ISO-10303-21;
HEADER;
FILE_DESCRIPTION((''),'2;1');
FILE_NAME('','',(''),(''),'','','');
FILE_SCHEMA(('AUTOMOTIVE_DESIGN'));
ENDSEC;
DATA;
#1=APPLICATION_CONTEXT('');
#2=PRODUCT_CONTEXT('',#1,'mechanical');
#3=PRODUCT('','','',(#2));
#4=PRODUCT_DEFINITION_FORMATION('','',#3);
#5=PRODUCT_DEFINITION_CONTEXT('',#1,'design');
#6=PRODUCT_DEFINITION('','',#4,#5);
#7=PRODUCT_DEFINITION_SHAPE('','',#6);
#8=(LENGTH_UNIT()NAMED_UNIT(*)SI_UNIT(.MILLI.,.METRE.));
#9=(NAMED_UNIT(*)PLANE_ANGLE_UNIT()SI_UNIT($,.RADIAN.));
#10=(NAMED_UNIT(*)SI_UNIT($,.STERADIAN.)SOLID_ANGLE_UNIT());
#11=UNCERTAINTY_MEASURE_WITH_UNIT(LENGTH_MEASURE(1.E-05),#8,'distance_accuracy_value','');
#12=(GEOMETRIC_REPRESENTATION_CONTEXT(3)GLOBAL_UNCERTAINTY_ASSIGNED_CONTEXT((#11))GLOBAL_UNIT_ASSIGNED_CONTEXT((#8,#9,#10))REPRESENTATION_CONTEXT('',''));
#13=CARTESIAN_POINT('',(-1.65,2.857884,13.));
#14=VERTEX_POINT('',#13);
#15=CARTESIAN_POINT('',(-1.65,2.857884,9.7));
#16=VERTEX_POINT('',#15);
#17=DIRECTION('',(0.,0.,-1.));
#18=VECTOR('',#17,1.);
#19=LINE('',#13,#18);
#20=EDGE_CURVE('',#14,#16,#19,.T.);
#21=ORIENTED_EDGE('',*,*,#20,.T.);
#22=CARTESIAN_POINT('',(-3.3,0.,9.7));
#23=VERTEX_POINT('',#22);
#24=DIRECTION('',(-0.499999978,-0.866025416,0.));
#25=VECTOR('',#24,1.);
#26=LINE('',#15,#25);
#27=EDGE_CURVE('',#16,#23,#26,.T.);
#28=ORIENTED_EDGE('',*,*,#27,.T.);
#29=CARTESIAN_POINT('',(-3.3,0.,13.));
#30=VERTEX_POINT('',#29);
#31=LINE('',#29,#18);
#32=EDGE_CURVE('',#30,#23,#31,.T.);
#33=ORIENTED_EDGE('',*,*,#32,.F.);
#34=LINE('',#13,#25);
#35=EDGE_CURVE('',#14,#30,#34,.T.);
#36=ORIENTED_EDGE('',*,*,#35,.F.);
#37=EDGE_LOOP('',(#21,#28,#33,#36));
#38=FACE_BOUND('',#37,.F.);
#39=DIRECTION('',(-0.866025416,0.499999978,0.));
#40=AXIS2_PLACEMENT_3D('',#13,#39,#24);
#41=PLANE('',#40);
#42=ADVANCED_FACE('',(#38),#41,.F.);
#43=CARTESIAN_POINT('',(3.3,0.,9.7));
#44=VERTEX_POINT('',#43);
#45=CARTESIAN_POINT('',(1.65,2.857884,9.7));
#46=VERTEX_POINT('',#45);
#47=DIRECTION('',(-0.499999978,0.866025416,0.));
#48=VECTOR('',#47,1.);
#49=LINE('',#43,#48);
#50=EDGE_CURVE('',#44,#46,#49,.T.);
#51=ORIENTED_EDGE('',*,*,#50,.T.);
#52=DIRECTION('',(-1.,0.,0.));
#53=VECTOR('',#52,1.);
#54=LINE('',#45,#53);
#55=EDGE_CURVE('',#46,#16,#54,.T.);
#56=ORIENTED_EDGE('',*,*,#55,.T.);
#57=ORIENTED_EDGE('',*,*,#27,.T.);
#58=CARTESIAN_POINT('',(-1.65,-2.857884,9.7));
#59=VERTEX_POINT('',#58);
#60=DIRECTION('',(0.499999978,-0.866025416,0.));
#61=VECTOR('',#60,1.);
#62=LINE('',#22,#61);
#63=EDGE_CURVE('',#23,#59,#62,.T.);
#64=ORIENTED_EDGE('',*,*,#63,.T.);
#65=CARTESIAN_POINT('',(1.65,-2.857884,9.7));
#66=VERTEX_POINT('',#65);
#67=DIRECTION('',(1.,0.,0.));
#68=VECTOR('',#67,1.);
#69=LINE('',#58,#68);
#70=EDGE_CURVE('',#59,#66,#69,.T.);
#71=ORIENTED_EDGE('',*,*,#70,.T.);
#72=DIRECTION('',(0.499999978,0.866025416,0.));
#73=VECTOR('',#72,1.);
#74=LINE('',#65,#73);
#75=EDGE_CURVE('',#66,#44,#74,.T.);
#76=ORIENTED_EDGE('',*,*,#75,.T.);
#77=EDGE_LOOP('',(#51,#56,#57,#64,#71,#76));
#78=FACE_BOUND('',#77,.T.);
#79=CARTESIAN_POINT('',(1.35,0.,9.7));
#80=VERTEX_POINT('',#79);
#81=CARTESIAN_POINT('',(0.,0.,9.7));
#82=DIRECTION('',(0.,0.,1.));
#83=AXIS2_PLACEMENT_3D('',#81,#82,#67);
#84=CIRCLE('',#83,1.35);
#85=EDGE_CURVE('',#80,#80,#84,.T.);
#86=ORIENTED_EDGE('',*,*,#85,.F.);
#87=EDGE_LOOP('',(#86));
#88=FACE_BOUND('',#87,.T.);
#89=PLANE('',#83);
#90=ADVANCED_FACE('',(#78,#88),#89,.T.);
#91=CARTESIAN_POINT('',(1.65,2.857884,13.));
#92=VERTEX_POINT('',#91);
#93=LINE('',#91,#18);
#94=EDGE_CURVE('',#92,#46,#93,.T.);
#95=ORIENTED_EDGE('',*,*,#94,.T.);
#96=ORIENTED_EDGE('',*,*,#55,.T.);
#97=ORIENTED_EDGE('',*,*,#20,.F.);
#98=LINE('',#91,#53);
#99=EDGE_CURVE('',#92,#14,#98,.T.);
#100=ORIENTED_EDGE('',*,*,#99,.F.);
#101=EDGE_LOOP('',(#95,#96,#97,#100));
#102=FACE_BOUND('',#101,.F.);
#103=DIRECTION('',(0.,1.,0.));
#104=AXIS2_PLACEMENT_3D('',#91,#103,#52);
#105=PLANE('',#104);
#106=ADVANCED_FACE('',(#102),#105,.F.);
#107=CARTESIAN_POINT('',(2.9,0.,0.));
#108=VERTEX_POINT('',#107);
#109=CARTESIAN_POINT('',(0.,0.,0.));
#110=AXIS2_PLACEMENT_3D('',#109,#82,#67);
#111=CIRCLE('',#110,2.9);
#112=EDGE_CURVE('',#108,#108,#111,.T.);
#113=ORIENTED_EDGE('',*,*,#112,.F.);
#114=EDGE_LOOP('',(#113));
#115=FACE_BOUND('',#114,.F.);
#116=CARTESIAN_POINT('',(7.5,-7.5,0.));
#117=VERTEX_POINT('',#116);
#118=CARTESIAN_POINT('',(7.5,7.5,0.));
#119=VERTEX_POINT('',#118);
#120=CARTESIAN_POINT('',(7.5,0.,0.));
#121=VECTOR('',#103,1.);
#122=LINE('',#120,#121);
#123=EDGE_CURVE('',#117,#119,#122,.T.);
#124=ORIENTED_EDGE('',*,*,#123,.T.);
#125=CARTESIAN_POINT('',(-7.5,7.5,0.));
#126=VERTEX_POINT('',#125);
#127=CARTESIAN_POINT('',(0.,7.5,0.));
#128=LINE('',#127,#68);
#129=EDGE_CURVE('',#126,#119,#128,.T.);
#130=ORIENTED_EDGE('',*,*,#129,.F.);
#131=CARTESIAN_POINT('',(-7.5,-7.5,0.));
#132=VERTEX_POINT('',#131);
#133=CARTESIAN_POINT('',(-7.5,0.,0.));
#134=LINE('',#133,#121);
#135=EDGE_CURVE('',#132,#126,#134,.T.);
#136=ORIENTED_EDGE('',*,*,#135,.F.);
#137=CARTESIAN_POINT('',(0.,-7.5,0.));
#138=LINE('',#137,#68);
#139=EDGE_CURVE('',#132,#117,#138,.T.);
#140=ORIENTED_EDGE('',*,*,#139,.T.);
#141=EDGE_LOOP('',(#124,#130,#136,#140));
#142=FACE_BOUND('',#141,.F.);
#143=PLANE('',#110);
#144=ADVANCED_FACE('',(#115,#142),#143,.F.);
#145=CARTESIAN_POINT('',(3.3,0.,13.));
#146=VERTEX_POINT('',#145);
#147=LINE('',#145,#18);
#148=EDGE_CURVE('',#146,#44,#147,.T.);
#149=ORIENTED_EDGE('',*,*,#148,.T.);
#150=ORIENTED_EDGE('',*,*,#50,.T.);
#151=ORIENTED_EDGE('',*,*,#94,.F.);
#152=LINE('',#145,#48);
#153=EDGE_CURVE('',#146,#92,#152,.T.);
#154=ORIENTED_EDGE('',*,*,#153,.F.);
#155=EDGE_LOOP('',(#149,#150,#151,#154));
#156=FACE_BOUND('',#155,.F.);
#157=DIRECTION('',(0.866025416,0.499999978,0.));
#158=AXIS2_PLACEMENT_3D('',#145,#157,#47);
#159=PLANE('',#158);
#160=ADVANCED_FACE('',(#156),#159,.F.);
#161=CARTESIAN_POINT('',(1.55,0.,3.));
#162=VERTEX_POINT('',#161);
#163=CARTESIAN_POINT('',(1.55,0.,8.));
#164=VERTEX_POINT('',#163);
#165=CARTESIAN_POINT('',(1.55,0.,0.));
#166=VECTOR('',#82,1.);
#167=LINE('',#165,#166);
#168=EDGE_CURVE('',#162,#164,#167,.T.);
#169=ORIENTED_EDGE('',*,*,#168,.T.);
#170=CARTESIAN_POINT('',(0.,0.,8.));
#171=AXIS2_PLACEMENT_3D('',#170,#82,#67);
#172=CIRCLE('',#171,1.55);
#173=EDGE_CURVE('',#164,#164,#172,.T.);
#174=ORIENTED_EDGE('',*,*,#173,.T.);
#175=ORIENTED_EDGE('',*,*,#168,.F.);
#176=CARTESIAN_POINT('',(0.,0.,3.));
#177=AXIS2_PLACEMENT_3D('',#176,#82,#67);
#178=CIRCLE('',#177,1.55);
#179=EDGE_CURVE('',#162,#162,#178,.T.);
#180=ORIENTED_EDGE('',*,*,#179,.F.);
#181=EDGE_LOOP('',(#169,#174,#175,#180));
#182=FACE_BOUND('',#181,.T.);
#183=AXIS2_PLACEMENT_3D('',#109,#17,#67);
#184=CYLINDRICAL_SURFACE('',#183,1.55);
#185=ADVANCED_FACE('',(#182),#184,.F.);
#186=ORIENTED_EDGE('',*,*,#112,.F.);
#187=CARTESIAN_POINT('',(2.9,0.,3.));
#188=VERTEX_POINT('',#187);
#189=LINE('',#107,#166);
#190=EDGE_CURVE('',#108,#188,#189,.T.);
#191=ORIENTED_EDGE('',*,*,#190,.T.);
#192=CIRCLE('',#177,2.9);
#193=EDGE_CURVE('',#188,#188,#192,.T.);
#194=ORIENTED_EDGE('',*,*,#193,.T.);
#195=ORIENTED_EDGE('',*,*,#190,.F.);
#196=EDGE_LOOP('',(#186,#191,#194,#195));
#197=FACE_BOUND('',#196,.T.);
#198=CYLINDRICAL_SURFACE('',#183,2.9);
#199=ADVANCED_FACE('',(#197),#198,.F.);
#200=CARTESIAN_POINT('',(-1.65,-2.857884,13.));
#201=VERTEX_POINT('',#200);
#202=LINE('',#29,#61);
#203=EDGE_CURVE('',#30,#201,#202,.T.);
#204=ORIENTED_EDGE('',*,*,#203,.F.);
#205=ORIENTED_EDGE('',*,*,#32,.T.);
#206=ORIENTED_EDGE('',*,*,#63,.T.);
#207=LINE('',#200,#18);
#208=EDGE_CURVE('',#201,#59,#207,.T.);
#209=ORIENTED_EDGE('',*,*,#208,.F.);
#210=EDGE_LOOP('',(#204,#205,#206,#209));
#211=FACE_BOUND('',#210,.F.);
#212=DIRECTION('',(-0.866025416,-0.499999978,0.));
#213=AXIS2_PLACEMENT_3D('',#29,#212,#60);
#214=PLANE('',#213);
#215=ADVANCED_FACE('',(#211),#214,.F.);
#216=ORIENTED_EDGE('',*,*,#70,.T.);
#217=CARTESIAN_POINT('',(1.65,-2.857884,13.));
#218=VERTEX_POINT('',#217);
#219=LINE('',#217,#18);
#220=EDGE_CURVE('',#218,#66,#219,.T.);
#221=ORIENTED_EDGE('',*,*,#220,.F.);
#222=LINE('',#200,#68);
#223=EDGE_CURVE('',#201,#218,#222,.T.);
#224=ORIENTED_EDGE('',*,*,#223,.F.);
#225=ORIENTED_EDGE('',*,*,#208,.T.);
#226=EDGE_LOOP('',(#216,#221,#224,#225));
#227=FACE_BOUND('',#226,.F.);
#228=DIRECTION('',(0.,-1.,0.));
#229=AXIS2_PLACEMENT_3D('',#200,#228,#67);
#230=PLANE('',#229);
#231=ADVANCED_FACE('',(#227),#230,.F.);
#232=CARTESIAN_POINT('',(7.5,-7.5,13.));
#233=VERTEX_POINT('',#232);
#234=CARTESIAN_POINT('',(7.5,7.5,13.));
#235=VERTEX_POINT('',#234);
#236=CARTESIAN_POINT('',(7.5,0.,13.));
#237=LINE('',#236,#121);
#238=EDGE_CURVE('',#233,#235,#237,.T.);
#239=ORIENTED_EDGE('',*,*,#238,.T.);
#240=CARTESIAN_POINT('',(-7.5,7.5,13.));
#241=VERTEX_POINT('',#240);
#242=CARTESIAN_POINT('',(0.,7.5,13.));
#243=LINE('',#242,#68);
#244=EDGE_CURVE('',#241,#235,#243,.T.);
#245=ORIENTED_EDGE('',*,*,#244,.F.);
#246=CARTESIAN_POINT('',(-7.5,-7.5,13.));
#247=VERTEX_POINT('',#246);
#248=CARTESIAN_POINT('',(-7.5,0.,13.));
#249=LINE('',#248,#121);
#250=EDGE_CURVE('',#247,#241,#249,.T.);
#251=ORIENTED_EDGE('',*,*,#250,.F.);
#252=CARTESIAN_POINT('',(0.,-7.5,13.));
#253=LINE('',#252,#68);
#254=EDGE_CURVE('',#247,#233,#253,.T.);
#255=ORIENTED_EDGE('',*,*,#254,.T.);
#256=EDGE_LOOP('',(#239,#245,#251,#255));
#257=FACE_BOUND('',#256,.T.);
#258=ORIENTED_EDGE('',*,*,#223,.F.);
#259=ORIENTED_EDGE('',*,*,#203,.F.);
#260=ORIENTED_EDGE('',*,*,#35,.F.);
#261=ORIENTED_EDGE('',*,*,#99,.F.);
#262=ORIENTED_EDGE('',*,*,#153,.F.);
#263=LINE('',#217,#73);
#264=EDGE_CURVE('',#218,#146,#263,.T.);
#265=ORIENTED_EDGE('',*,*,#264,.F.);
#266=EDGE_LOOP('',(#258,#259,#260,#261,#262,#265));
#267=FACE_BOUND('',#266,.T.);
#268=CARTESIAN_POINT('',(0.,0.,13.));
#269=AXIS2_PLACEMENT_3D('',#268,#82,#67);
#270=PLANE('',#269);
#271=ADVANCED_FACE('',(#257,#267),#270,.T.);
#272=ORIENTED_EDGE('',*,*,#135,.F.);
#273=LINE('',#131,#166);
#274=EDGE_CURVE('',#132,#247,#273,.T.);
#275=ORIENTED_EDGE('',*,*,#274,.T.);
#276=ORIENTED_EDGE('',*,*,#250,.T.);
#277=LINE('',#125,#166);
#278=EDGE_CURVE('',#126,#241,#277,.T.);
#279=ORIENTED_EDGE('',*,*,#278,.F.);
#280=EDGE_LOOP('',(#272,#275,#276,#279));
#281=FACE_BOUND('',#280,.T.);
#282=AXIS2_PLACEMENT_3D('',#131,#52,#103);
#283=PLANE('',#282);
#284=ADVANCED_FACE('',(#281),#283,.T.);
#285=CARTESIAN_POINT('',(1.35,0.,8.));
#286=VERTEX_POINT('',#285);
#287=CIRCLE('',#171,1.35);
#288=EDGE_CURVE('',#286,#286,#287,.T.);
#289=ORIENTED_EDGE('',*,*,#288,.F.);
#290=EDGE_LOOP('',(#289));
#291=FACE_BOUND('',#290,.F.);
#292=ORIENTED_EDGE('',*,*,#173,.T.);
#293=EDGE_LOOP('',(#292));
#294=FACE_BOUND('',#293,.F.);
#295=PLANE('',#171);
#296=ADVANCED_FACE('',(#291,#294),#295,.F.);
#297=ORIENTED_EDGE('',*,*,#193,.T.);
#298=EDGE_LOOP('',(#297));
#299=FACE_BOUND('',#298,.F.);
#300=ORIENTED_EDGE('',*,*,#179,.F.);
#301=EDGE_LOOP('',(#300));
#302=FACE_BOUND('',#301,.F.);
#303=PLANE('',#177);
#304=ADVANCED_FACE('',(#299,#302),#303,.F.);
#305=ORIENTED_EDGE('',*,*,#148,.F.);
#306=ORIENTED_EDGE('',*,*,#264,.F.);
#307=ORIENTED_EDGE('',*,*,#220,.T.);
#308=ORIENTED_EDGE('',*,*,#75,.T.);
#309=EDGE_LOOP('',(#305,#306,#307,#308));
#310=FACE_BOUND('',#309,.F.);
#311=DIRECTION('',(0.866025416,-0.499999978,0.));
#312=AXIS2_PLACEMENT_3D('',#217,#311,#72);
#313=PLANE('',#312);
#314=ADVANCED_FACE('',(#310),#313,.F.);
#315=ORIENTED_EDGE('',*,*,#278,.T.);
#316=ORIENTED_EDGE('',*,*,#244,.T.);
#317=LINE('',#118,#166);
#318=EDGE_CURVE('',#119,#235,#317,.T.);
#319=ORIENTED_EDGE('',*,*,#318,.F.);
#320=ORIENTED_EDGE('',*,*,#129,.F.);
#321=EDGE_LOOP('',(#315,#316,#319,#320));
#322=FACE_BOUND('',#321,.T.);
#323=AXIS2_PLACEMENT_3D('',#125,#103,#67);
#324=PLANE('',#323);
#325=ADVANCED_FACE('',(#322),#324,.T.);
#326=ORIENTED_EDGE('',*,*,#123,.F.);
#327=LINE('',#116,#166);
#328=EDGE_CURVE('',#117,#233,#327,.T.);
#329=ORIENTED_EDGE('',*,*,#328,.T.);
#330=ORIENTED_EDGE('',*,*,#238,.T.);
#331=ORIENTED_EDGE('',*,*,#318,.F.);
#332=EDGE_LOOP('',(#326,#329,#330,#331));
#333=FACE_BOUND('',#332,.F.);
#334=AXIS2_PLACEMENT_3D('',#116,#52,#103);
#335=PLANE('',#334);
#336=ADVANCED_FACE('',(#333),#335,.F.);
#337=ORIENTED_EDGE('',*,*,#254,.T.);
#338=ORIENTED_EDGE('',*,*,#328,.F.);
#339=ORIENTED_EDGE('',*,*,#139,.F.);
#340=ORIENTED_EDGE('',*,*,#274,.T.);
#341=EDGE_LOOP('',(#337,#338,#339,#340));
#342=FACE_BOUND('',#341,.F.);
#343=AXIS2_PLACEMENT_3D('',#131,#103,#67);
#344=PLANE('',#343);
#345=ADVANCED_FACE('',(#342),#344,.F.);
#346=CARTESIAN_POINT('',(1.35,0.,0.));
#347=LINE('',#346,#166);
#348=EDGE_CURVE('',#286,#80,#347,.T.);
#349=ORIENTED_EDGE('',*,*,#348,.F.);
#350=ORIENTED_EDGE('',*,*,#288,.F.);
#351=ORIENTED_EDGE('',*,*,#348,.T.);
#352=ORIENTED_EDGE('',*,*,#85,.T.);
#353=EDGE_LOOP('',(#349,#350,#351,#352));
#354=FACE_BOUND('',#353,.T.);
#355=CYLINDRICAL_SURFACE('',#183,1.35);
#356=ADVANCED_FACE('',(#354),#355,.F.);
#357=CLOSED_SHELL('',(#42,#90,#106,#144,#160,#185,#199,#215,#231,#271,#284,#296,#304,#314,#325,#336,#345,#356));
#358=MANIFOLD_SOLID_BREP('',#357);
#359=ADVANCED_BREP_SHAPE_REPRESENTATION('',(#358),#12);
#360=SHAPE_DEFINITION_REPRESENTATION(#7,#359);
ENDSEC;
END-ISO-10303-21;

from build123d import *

# Parameters (mm, degrees)
F0_W     = 15
F0_H     = 15
F0_R     = 2.9
F0_R_2   = 1.55
F0_R_3   = 1.35
F1_DEPTH = 13
F2_DEPTH = 8
F3_DEPTH = 3
F4_R     = 1.35
F5_DEPTH = 3.3


with BuildPart() as f1:
    # F0 (on Top) → F1 (new body)
    with BuildSketch(Plane.XY):
        Rectangle(F0_W, F0_H)
        Circle(F0_R, mode=Mode.SUBTRACT)
        Circle(F0_R)
        Circle(F0_R_2, mode=Mode.SUBTRACT)
        Circle(F0_R_2)
        Circle(F0_R_3, mode=Mode.SUBTRACT)
    extrude(amount=F1_DEPTH)

    # F0 (on Top) → F2 (cut)
    with BuildSketch(Plane.XY):
        Circle(F0_R_2)
        Circle(F0_R_3, mode=Mode.SUBTRACT)
    extrude(amount=F2_DEPTH, mode=Mode.SUBTRACT)

    # F0 (on Top) → F3 (cut)
    with BuildSketch(Plane.XY):
        Circle(F0_R)
        Circle(F0_R_2, mode=Mode.SUBTRACT)
    extrude(amount=F3_DEPTH, mode=Mode.SUBTRACT)

    # F4 (on face) → F5 (cut)
    with BuildSketch(Plane.XY.offset(13)):
        Polygon((3.3, 0), (1.65, 2.857884), (-1.65, 2.857884), (-3.3, 0), (-1.65, -2.857884), (1.65, -2.857884), align=None)
        Circle(F4_R, mode=Mode.SUBTRACT)
    extrude(amount=-F5_DEPTH, mode=Mode.SUBTRACT)


solid = f1.part
